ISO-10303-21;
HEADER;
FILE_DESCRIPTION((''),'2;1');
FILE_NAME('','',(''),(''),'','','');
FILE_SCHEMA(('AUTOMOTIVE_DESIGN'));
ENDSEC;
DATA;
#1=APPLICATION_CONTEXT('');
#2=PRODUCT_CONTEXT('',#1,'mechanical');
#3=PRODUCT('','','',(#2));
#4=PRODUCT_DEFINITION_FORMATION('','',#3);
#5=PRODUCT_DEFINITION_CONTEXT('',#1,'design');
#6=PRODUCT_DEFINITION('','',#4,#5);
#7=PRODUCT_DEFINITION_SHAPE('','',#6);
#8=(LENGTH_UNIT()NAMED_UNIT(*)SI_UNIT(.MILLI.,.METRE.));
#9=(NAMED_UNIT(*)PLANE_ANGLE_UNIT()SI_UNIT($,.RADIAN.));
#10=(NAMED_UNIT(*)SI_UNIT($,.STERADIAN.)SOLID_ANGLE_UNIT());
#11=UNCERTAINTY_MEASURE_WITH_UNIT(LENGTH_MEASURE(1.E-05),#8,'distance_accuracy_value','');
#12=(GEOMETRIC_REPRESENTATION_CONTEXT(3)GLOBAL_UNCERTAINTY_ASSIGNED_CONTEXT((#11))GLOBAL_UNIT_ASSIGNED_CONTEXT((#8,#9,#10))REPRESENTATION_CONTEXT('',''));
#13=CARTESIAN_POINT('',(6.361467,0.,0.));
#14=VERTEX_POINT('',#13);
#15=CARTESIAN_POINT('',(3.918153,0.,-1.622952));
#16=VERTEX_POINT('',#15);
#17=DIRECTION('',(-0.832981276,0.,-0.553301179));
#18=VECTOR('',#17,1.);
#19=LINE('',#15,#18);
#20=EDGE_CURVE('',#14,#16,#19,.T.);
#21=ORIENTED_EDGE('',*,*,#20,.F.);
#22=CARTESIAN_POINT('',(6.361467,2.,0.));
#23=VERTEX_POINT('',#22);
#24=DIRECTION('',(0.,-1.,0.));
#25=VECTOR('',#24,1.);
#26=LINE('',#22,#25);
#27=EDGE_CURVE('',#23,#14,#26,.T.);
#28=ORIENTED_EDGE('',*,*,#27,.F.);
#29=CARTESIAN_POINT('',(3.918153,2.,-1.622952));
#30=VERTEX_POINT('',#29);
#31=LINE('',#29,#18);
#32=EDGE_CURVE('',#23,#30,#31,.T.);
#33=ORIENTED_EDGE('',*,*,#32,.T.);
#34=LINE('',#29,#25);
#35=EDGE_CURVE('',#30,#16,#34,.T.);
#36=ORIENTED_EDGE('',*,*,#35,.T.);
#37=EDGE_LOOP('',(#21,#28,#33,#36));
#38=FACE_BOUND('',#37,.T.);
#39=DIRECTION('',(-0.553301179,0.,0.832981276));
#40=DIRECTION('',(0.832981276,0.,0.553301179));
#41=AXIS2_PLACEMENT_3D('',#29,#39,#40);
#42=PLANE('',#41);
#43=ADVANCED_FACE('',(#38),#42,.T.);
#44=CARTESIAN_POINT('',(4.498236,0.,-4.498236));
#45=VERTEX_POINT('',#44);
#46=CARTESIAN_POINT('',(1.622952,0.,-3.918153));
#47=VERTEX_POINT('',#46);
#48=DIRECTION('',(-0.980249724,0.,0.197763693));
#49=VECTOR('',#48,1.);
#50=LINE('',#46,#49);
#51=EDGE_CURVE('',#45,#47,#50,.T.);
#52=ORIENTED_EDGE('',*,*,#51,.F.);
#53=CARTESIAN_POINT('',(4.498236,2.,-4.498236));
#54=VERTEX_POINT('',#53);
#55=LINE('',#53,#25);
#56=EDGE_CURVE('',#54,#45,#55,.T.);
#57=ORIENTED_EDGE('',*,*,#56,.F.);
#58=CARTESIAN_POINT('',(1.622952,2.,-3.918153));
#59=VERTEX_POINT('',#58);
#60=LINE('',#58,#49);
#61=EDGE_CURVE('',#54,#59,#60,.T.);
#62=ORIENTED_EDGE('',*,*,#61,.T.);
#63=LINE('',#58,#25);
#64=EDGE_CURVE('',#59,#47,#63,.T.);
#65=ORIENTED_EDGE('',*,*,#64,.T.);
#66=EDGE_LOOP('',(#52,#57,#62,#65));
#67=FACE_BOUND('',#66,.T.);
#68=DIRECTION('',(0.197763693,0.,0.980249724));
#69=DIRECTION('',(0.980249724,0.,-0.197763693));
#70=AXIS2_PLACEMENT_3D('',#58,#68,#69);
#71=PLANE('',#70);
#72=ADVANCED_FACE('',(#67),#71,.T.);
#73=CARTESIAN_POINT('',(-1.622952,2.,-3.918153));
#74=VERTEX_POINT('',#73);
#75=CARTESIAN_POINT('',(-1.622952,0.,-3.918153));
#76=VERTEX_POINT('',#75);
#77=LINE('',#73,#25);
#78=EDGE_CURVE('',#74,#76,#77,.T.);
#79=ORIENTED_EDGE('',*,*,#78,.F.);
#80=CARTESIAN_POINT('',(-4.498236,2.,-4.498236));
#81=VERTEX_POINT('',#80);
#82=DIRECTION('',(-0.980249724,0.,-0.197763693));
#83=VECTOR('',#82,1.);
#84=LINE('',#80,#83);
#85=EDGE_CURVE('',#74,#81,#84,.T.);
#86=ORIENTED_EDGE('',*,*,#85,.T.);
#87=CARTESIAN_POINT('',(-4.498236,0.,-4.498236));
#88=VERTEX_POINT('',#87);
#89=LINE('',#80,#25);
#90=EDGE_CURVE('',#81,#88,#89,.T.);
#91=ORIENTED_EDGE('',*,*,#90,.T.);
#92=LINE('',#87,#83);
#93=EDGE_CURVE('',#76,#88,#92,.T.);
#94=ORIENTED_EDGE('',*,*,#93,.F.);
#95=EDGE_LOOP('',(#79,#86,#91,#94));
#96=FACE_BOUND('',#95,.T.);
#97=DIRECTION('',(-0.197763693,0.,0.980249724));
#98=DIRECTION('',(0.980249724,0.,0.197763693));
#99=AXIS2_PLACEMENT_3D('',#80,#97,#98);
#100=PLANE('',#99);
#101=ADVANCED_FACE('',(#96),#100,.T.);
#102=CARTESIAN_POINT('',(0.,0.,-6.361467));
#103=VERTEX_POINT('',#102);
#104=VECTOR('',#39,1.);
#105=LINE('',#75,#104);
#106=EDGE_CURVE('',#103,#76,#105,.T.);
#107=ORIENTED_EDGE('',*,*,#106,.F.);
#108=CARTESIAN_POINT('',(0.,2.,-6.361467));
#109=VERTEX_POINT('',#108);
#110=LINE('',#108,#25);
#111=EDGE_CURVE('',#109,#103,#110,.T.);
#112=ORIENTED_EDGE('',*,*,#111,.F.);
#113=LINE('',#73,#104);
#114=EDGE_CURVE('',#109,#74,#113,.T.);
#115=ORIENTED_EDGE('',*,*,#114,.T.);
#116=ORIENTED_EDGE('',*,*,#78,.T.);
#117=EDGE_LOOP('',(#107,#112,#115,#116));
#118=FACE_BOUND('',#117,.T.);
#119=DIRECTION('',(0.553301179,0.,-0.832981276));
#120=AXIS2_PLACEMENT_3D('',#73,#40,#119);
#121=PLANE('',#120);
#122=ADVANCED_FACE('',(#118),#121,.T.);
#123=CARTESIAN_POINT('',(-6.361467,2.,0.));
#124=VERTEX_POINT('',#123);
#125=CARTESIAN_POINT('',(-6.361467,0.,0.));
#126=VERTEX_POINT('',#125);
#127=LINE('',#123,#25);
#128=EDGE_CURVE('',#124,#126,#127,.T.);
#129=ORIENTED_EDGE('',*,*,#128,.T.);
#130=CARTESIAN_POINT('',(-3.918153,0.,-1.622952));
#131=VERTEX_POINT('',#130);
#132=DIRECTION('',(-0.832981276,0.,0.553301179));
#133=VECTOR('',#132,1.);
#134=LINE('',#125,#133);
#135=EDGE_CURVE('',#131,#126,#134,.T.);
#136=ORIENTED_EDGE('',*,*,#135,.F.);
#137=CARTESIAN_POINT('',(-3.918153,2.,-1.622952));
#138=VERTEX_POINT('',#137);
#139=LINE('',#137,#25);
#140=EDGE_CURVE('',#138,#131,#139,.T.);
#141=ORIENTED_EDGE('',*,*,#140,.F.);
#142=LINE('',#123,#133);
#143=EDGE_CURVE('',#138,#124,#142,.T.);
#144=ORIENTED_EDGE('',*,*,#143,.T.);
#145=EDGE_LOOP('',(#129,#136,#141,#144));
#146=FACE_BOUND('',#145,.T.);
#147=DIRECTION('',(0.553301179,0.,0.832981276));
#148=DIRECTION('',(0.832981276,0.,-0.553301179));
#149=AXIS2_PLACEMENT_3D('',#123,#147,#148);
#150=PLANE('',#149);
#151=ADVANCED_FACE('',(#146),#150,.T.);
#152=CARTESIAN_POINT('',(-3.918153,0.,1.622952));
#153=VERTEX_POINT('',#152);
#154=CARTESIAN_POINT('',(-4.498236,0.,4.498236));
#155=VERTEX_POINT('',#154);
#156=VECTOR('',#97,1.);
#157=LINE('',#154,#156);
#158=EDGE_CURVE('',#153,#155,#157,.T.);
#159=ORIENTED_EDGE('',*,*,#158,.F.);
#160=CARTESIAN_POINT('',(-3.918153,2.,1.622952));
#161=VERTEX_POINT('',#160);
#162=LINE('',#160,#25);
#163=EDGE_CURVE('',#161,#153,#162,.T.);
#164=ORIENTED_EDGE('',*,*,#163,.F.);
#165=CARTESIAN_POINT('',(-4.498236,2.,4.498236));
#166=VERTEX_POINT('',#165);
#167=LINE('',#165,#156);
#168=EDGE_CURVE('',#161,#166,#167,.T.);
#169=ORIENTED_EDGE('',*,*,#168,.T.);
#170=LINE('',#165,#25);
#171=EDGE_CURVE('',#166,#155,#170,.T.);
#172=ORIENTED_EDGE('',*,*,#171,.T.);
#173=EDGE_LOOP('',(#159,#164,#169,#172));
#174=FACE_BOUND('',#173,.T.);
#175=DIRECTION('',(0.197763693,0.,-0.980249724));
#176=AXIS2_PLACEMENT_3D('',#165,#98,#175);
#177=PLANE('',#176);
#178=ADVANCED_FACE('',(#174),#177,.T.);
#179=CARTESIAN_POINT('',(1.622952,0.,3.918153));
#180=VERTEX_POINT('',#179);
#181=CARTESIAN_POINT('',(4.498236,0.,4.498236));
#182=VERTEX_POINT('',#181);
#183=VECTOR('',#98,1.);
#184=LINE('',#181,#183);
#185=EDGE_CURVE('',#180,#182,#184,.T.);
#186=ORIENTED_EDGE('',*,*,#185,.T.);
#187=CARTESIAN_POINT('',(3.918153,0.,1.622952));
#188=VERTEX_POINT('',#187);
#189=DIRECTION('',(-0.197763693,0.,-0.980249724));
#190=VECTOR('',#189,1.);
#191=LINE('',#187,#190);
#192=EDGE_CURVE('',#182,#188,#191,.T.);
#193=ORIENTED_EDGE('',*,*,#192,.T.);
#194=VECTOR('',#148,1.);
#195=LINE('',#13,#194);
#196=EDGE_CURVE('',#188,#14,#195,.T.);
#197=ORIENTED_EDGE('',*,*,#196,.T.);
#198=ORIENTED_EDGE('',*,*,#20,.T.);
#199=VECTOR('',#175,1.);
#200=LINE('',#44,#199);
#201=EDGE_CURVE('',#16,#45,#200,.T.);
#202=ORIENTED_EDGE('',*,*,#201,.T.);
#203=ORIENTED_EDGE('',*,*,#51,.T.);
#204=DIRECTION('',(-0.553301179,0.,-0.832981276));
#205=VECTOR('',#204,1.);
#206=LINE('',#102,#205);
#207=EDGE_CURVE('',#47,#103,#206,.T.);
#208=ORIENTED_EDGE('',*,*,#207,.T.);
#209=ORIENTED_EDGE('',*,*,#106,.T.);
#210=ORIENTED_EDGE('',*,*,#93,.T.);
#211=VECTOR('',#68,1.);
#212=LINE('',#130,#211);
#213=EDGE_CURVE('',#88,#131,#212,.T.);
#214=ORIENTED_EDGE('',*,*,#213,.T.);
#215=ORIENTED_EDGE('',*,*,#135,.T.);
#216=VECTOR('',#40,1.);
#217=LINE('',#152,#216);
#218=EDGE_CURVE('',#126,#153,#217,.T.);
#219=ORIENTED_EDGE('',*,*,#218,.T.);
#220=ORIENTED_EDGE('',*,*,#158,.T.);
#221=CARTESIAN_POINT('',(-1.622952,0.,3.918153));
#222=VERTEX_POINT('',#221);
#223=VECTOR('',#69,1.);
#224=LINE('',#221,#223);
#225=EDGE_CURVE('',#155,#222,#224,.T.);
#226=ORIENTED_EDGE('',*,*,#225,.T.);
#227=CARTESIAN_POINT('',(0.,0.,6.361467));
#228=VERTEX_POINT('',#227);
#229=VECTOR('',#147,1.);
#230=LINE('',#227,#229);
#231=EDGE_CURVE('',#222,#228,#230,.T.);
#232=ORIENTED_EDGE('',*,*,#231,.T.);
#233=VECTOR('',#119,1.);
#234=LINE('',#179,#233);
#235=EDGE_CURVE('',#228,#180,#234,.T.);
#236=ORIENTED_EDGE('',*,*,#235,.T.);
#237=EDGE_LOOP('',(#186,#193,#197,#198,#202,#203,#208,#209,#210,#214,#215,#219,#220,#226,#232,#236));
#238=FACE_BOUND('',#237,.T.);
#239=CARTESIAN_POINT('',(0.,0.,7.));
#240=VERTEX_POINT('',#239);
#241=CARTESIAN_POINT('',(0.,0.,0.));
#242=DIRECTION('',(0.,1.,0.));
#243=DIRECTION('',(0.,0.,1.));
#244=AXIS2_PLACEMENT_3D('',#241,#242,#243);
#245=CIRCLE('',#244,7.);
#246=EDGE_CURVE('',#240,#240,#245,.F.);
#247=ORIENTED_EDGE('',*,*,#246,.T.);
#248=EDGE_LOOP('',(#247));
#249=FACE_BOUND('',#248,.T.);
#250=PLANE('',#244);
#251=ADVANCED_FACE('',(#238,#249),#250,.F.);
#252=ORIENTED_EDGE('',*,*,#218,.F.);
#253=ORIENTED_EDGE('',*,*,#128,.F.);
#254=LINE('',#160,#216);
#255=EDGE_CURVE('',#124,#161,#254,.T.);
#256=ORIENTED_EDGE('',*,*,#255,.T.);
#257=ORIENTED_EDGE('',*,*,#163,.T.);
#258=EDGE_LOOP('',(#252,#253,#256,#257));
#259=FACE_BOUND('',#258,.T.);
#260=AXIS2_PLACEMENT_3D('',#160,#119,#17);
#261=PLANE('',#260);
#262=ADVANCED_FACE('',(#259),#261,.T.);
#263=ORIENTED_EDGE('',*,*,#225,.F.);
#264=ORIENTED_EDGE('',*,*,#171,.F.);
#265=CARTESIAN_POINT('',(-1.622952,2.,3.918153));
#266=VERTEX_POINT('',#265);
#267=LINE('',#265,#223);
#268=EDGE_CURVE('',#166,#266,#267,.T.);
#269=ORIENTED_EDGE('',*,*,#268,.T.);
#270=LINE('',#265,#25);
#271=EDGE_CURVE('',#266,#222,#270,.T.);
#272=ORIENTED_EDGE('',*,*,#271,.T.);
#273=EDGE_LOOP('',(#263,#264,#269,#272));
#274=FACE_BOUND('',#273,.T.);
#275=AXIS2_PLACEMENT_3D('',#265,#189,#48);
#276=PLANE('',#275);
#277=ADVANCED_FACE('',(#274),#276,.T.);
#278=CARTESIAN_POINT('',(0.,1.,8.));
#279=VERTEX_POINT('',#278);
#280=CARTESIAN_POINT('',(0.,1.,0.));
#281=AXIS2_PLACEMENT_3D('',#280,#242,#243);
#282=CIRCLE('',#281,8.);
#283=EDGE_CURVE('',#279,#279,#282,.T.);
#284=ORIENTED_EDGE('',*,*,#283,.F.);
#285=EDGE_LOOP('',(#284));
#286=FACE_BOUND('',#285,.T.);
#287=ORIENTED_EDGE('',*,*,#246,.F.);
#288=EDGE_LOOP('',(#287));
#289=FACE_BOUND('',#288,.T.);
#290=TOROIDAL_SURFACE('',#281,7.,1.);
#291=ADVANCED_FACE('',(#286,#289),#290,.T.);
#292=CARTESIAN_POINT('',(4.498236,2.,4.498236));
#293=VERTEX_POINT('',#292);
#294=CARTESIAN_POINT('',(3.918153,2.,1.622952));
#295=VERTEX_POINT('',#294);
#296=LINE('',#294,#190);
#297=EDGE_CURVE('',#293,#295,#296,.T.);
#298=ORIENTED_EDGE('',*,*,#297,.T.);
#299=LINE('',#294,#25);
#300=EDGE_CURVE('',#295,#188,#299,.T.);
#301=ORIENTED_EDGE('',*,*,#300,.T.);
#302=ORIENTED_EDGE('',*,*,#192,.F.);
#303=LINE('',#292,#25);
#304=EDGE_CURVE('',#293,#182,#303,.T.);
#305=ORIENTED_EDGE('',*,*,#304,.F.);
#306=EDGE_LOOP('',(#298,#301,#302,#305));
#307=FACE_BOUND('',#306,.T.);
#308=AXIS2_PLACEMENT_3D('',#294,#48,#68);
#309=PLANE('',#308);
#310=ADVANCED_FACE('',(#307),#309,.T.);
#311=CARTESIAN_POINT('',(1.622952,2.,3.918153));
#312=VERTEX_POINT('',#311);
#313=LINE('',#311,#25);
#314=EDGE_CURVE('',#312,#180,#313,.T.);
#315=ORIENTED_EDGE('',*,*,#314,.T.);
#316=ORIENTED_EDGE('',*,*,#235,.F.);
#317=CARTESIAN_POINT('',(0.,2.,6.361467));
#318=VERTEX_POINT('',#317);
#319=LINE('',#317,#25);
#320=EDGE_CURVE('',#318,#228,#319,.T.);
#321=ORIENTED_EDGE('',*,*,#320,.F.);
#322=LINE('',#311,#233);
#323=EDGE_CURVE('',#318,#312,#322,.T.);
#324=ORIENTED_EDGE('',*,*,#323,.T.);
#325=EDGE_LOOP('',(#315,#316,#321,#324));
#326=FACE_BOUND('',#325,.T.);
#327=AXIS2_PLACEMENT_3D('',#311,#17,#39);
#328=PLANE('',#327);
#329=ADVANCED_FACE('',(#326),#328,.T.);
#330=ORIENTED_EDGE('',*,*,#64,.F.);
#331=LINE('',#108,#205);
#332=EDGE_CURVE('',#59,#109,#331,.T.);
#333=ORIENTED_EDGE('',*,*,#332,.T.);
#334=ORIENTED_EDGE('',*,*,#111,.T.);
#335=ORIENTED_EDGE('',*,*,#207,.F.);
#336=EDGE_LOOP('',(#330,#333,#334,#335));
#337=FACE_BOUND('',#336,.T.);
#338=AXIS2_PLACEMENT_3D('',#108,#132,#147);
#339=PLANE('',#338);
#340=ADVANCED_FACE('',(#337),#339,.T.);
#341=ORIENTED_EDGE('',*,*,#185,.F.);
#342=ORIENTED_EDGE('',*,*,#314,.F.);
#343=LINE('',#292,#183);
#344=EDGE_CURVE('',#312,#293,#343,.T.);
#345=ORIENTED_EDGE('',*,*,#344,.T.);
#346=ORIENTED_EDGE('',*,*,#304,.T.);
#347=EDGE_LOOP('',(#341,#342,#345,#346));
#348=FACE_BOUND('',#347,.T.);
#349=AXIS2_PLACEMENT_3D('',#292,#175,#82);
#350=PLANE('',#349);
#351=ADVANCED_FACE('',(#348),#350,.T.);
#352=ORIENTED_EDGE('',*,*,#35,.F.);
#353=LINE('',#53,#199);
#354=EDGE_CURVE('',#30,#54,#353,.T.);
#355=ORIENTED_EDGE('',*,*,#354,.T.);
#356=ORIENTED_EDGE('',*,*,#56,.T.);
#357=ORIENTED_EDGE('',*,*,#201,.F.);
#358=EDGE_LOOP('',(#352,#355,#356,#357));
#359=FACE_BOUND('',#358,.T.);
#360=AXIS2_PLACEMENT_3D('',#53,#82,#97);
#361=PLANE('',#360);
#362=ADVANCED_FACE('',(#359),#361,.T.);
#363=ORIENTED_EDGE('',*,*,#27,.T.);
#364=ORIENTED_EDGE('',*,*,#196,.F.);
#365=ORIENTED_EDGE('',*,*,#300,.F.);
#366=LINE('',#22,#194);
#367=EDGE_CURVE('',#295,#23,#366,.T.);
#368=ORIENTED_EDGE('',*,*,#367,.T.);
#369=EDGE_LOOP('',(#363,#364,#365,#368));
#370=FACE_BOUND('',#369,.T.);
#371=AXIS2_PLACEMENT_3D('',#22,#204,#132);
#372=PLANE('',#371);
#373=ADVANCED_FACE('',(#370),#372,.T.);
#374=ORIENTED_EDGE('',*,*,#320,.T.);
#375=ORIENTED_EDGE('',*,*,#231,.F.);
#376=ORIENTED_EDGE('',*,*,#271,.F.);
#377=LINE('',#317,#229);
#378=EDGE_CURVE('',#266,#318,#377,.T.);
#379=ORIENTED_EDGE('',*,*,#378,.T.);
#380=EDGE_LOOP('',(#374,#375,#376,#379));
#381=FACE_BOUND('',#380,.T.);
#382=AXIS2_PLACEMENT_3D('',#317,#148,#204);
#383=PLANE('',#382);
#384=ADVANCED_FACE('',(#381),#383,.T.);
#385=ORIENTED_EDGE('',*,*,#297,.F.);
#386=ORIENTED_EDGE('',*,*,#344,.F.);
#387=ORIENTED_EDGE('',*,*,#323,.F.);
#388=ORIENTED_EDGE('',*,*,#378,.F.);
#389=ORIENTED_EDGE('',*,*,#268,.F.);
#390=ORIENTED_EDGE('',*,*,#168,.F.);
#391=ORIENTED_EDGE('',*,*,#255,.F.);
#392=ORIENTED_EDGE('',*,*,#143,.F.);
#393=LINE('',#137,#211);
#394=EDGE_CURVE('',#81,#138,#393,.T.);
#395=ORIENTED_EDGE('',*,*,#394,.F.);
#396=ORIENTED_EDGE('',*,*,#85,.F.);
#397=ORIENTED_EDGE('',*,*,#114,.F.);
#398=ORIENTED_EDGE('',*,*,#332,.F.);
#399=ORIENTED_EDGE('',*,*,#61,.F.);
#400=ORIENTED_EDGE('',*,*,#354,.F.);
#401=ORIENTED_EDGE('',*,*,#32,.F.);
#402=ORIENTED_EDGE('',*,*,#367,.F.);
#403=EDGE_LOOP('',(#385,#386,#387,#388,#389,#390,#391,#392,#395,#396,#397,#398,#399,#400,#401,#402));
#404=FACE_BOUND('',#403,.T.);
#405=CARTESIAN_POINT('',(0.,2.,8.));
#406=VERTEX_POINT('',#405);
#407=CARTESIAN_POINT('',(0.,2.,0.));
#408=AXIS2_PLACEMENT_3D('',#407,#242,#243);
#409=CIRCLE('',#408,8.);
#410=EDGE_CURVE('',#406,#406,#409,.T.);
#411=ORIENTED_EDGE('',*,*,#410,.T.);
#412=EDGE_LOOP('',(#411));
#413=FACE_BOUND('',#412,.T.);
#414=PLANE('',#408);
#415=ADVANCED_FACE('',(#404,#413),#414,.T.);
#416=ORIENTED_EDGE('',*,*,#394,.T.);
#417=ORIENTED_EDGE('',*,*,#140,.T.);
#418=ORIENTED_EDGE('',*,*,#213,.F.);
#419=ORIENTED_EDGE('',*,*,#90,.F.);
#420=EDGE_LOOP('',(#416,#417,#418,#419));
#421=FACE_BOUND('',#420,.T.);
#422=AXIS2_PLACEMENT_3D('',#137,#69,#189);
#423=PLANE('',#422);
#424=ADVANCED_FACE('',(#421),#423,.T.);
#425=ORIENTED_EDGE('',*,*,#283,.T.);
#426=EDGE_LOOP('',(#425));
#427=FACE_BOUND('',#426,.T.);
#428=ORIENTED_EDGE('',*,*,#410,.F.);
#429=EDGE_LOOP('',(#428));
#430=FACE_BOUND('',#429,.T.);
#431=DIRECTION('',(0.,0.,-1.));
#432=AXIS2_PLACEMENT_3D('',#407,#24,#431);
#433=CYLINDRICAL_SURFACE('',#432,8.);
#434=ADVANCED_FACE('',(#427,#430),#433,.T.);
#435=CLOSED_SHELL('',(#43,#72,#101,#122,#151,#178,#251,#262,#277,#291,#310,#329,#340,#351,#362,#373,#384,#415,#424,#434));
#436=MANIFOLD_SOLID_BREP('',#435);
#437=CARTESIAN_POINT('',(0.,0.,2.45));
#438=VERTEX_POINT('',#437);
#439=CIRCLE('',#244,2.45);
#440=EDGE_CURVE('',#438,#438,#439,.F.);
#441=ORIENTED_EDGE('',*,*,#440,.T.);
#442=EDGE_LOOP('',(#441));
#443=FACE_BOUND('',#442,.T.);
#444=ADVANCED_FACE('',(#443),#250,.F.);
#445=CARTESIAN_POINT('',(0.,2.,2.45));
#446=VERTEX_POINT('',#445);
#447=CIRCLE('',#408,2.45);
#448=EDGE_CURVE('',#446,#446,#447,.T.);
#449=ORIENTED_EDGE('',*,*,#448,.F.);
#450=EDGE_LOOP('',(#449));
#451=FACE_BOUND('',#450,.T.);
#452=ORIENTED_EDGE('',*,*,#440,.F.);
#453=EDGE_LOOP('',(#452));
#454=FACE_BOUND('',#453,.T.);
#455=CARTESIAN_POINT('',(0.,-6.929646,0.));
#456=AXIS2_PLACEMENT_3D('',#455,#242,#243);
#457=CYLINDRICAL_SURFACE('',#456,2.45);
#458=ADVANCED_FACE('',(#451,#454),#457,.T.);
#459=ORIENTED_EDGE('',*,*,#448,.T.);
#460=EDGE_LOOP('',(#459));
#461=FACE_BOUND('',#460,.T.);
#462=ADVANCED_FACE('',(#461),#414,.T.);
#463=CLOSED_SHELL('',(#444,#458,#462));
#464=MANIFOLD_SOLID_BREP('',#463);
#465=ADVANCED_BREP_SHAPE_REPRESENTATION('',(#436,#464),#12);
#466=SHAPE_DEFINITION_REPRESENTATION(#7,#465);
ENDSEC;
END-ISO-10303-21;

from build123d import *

# Parameters (mm, degrees)
SKETCH1_R           = 8
BOSS_EXTRUDE1_DEPTH = 2
FILLET1_R           = 1
SKETCH2_R           = 2.45
BOSS_EXTRUDE2_DEPTH = 2


with BuildPart() as part:
    # Sketch1 → Boss-Extrude1 (new body)
    with BuildSketch(Plane(origin=(0, 0, 0), x_dir=(1, 0, 0), z_dir=(0, 1, 0))):
        with Locations(Location((0, 0, 0), (0, 0, 270))):
            Circle(SKETCH1_R)
        Polygon((-3.918152642, 1.622951964), (-4.498236304, 4.498236304), (-1.622951964, 3.918152642), (0, 6.361466788), (1.622951964, 3.918152642), (4.498236304, 4.498236304), (3.918152642, 1.622951964), (6.361466788, 0), (3.918152642, -1.622951964), (4.498236304, -4.498236304), (1.622951964, -3.918152642), (0, -6.361466788), (-1.622951964, -3.918152642), (-4.498236304, -4.498236304), (-3.918152642, -1.622951964), (-6.361466788, 0), align=None, mode=Mode.SUBTRACT)
    extrude(amount=BOSS_EXTRUDE1_DEPTH)

    # Fillet1
    fillet1_edges = [part.edges().sort_by_distance(p)[0] for p in [
        (0, 0, -8),
    ]]
    fillet(fillet1_edges, radius=FILLET1_R)


with BuildPart() as body_2:
    # Sketch2 → Boss-Extrude2 (new body)
    with BuildSketch(Plane(origin=(0, 2, 0), x_dir=(1, 0, 0), z_dir=(0, 1, 0))):
        with Locations(Location((0, 0, 0), (0, 0, 270))):
            Circle(SKETCH2_R)
    extrude(amount=-BOSS_EXTRUDE2_DEPTH)


solid = Compound([part.part, body_2.part])
